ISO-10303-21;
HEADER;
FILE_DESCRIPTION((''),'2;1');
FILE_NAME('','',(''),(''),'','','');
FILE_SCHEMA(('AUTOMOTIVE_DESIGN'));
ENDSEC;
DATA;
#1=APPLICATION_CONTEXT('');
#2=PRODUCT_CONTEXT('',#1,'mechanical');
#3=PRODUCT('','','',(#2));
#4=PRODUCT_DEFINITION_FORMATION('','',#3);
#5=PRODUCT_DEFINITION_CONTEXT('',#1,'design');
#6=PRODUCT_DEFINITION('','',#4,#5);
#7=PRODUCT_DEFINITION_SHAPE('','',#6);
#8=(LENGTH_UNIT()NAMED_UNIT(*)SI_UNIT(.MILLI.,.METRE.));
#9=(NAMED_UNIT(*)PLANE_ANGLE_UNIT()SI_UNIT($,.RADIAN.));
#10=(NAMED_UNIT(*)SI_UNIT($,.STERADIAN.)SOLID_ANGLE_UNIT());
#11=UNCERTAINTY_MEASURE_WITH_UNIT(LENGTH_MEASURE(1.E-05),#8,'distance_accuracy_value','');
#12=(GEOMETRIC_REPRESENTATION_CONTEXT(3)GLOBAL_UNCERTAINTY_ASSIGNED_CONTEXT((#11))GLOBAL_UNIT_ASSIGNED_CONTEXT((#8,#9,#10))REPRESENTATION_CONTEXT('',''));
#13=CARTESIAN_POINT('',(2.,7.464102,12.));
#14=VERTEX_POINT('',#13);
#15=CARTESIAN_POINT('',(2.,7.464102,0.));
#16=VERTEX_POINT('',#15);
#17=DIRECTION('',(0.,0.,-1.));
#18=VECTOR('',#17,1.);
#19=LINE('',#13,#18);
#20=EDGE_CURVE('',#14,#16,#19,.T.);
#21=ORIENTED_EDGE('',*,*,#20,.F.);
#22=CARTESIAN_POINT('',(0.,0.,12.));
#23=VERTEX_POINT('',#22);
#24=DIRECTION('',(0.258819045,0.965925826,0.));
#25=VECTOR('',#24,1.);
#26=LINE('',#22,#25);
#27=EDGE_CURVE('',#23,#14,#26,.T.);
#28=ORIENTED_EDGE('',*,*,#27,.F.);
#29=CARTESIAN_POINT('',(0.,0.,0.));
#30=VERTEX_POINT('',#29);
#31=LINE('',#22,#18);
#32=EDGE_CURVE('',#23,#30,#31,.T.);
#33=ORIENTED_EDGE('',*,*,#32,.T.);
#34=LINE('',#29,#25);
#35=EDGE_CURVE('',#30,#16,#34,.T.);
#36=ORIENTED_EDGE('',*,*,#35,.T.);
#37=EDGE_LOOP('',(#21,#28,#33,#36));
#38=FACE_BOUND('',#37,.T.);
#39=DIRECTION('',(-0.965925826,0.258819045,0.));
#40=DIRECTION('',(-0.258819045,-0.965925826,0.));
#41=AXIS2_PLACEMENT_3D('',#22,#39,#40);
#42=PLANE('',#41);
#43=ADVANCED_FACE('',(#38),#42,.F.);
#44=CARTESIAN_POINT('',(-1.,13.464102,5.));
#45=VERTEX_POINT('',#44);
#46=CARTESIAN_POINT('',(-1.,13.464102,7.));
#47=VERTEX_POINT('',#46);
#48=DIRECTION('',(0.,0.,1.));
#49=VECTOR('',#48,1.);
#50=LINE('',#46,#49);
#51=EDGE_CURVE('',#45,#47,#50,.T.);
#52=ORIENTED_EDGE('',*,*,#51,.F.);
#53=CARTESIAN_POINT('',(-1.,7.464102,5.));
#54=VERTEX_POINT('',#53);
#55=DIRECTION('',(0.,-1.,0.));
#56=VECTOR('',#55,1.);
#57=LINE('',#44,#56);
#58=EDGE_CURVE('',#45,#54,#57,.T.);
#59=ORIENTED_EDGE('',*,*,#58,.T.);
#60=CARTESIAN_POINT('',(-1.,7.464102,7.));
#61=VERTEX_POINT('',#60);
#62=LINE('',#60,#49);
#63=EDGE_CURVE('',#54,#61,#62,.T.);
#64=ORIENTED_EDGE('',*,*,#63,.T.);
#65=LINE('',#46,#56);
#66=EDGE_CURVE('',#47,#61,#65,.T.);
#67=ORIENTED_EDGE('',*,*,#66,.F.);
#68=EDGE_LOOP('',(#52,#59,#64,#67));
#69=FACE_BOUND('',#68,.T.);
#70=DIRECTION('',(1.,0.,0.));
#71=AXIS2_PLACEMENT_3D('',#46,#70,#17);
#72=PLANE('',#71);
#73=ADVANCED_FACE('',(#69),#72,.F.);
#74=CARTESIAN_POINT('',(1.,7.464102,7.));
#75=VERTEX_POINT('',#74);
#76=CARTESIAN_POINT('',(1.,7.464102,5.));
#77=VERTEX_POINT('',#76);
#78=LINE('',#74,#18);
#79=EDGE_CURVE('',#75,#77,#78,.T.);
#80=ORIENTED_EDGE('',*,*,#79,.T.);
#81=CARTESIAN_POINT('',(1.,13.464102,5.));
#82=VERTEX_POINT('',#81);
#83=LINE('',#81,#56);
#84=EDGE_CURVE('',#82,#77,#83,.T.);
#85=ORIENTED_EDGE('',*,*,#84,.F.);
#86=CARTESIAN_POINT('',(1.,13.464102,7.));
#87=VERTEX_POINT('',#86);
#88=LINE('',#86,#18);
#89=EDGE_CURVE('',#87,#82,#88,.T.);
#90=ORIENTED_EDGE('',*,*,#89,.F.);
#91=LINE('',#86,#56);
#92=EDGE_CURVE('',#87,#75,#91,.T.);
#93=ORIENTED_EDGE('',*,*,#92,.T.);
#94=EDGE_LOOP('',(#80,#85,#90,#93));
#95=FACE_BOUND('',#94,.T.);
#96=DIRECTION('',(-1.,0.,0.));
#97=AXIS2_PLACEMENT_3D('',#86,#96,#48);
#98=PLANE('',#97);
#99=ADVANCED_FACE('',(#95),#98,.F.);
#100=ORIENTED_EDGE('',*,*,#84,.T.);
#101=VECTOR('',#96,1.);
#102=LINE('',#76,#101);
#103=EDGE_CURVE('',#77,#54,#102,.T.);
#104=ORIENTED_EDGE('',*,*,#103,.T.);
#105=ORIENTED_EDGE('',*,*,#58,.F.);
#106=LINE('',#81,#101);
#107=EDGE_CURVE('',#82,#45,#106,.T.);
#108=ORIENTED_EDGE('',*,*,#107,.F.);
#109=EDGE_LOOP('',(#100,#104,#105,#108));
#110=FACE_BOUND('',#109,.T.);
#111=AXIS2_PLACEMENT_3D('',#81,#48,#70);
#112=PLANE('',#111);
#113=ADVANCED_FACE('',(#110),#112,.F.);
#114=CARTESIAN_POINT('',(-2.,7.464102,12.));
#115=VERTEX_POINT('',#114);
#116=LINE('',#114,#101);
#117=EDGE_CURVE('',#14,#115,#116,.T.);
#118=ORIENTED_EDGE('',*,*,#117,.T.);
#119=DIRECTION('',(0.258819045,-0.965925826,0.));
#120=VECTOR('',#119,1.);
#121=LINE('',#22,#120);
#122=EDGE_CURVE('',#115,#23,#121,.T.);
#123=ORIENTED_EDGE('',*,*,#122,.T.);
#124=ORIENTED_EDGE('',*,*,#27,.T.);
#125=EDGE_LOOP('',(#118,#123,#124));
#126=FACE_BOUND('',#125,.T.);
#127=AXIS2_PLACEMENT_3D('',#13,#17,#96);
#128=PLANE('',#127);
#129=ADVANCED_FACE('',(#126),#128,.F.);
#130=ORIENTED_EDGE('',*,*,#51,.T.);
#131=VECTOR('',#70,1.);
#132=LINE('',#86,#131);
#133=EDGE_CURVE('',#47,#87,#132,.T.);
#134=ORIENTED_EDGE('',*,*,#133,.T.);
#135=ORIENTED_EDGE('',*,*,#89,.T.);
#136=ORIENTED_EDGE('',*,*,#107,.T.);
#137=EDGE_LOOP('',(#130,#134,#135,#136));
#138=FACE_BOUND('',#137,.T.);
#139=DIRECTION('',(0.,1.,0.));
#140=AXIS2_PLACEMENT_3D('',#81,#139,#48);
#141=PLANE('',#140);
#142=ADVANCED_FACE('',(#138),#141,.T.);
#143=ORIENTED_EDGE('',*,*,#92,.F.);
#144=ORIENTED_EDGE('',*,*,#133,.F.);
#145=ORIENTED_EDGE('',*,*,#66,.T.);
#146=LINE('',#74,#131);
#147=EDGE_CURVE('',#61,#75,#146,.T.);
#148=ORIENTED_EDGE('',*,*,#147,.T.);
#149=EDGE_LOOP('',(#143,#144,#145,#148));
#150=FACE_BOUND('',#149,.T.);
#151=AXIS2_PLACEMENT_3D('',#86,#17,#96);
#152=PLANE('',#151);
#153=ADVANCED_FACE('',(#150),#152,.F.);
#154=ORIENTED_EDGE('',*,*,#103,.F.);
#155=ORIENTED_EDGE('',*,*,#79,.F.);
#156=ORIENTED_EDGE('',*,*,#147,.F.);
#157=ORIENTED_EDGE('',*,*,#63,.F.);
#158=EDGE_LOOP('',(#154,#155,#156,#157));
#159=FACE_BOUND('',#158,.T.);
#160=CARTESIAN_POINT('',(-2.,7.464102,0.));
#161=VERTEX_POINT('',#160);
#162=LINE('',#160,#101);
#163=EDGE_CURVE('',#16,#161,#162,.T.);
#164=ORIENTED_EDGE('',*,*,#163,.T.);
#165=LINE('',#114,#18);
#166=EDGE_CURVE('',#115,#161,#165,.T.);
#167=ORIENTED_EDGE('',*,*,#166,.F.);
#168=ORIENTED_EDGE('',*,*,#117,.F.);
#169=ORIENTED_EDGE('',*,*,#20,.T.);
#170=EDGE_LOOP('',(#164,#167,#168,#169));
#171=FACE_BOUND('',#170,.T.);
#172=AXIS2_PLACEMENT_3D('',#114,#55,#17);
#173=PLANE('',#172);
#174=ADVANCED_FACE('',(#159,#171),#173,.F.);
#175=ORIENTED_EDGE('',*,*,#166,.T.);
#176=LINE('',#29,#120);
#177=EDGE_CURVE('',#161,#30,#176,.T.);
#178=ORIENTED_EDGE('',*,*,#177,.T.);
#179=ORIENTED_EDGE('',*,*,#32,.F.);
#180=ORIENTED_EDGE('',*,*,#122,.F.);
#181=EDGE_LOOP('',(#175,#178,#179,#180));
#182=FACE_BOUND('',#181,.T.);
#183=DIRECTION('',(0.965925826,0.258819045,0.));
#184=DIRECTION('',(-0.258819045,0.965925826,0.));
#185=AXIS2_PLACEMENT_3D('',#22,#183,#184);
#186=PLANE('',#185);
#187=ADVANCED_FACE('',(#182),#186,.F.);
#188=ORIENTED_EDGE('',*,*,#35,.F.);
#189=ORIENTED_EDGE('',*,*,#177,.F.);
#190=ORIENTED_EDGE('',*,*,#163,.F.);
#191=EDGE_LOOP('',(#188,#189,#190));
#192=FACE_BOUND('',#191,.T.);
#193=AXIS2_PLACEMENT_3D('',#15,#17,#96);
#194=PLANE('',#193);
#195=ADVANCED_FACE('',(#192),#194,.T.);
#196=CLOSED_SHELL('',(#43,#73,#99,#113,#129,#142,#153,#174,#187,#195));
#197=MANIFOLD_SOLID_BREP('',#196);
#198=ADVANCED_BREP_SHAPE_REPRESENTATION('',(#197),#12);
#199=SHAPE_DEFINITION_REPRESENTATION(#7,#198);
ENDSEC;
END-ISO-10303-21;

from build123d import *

# Parameters (mm, degrees)
BOSS_EXTRU_1_DEPTH = 12
ESQUISSE2_W        = 2
ESQUISSE2_H        = 2
BOSS_EXTRU_2_DEPTH = 6


with BuildPart() as part:
    # Esquisse1 → Boss.-Extru.1 (new body)
    with BuildSketch(Plane.XY):
        Polygon((0, 0), (-2, 7.464101615), (2, 7.464101615), align=None)
    extrude(amount=BOSS_EXTRU_1_DEPTH)

    # Esquisse2 → Boss.-Extru.2 (add)
    with BuildSketch(Plane(origin=(0, 7.464101615, 0), x_dir=(-1, 0, 0), z_dir=(0, 1, 0))):
        with Locations((0, 6)):
            Rectangle(ESQUISSE2_W, ESQUISSE2_H)
    extrude(amount=BOSS_EXTRU_2_DEPTH)


solid = part.part
